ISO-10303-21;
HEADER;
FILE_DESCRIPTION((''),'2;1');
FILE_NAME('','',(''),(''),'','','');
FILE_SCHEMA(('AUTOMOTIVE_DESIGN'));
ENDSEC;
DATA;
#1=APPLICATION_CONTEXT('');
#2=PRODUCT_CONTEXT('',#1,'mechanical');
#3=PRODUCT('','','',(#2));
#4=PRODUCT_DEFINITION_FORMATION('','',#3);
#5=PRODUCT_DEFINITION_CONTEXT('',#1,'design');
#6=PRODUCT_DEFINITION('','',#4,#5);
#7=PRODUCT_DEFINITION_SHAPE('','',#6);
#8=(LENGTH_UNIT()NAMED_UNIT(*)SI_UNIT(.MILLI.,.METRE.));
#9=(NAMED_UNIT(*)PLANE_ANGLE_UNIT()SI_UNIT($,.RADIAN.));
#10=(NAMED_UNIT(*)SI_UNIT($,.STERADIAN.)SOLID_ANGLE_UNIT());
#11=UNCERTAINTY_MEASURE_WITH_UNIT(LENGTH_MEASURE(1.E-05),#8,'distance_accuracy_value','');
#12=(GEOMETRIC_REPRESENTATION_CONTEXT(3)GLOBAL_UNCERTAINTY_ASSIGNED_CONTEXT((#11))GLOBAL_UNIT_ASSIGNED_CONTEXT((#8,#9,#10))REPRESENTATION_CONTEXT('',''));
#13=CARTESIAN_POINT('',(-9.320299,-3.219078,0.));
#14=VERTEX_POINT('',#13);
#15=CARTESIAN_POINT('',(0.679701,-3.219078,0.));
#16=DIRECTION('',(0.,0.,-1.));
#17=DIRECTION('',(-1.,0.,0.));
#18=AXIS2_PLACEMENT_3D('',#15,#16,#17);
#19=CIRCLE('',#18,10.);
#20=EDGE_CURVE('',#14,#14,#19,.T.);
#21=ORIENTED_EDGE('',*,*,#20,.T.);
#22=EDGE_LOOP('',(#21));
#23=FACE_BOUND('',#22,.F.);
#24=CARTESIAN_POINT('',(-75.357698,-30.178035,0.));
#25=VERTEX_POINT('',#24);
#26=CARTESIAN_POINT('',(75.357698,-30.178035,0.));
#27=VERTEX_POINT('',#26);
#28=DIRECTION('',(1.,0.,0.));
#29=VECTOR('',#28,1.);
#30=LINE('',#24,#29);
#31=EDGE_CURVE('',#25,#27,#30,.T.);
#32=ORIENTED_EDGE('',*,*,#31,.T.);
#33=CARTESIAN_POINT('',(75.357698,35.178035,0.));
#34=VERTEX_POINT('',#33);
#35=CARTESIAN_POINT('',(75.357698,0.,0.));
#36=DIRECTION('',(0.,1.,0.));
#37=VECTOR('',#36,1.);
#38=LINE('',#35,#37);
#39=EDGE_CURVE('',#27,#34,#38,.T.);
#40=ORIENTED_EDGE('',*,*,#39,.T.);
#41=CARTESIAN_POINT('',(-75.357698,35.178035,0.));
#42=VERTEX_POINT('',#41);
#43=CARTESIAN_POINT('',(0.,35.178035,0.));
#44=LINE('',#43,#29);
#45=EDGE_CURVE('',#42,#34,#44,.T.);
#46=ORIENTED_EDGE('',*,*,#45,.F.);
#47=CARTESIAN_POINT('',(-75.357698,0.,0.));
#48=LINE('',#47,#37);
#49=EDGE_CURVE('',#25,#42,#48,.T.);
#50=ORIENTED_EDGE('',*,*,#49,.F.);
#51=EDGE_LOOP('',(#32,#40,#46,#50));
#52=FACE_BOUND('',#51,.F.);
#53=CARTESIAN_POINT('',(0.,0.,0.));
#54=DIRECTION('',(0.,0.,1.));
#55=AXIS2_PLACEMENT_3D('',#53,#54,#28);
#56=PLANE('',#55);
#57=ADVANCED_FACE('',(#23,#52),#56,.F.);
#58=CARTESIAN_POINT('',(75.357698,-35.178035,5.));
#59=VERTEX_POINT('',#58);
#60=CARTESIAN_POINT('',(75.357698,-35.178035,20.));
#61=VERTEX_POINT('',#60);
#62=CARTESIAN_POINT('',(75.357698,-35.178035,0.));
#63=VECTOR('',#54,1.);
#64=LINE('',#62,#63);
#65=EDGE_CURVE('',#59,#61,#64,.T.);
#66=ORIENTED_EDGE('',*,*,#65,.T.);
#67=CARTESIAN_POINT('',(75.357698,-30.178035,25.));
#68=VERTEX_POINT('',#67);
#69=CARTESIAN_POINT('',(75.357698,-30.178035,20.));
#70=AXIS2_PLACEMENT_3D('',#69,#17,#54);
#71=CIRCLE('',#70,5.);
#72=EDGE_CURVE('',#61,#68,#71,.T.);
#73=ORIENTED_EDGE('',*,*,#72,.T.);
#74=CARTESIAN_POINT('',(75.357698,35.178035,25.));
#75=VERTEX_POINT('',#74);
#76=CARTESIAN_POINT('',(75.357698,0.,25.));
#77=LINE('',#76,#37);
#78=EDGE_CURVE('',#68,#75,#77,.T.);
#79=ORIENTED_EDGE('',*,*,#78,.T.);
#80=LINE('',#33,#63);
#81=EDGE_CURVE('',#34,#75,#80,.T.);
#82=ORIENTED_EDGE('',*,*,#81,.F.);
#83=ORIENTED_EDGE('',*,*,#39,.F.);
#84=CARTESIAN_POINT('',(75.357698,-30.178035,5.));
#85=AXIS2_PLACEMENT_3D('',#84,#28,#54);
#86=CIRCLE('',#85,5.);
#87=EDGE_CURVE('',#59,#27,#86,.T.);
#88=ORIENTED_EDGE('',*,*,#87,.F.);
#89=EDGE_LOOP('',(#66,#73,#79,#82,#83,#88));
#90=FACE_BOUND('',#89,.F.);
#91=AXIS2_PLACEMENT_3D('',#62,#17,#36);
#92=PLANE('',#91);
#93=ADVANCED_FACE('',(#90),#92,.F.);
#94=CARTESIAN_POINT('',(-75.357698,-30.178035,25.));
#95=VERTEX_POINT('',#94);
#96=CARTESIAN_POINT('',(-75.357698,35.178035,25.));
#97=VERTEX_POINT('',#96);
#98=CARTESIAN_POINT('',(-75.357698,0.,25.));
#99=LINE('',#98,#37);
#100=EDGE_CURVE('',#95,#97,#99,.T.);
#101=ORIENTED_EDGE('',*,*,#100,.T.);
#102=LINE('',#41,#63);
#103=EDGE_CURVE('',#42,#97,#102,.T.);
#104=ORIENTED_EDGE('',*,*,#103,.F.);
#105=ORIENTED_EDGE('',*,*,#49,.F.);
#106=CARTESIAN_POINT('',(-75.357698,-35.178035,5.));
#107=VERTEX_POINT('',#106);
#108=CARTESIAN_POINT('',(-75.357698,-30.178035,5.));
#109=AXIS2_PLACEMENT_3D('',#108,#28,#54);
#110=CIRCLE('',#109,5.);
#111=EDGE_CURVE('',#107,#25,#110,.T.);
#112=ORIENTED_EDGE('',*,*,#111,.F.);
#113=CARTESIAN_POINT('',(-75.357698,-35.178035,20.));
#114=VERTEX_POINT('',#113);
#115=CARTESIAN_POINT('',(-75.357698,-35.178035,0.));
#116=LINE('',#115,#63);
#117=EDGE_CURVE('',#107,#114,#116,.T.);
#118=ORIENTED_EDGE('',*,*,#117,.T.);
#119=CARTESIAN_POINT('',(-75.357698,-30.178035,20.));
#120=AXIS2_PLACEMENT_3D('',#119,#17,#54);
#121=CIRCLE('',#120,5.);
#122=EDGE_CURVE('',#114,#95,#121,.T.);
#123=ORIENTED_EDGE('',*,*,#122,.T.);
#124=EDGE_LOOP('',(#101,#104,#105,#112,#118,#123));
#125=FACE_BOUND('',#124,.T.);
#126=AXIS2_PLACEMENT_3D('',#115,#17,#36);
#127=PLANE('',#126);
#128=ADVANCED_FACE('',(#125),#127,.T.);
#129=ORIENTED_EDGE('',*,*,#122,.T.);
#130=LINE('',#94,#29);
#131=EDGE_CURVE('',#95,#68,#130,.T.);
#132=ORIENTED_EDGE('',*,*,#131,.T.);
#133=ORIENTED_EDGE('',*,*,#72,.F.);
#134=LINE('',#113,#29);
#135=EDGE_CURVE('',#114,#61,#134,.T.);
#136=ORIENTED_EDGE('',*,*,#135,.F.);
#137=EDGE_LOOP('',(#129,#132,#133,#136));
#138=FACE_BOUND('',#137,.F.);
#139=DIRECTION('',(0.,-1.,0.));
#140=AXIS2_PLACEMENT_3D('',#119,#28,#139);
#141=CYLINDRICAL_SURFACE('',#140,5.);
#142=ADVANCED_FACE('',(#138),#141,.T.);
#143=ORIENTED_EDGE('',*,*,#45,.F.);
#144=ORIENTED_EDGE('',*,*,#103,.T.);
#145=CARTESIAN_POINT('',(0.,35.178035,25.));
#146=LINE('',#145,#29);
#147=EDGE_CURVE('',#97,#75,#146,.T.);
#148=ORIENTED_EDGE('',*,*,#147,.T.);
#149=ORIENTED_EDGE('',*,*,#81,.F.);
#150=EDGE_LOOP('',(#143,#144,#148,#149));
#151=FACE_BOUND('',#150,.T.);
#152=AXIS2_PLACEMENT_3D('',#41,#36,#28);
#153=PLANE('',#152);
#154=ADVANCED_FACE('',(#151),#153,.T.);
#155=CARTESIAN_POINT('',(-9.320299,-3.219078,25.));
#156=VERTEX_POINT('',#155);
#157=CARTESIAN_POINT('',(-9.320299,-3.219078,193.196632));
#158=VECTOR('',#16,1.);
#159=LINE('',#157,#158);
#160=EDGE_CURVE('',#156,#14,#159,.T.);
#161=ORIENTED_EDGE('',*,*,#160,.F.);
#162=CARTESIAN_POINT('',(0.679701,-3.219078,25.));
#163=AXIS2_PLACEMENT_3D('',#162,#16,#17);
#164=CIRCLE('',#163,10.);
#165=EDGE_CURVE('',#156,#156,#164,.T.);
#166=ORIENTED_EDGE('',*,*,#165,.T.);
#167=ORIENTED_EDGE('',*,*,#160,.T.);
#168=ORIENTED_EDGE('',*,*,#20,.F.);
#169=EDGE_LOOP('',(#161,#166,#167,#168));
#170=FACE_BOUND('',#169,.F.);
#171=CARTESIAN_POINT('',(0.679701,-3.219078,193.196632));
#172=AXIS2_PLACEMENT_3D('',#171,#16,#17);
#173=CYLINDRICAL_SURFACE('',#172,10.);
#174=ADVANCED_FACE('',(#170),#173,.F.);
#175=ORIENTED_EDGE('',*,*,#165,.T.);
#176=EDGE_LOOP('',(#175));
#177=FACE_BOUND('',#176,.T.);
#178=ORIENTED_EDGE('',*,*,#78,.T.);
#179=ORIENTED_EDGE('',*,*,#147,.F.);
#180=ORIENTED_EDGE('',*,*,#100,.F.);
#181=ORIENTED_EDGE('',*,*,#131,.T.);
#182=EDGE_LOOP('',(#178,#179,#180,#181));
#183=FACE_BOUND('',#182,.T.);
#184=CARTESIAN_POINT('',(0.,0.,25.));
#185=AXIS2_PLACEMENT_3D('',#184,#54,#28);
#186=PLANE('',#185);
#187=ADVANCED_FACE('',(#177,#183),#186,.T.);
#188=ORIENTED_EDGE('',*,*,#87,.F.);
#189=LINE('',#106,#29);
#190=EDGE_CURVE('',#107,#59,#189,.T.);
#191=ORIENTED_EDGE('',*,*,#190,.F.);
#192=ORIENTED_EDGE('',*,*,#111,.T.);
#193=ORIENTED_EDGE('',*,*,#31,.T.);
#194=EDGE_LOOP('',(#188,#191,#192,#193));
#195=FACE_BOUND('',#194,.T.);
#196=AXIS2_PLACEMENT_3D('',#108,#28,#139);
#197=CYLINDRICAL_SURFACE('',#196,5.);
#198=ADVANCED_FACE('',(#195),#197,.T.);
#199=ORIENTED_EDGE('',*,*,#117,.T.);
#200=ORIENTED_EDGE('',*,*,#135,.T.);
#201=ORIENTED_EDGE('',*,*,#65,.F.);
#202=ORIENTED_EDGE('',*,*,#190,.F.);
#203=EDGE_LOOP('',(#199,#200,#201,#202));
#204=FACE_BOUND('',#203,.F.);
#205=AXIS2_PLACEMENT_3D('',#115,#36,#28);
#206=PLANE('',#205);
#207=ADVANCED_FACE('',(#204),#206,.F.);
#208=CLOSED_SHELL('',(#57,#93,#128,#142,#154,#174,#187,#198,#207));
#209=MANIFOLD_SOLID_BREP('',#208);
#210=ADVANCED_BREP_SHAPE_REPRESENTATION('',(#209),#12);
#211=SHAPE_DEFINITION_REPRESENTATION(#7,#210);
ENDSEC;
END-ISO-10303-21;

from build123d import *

# Parameters (mm, degrees)
F0_W     = 150.715396
F0_H     = 70.35607
F1_DEPTH = 25
F2_R     = 5
F3_R     = 5
F5_D     = 20


with BuildPart() as f1:
    # F0 (on Top) → F1 (new body)
    with BuildSketch(Plane.XY):
        Rectangle(F0_W, F0_H)
    extrude(amount=F1_DEPTH)

    # F2
    f2_edges = [f1.edges().sort_by_distance(p)[0] for p in [
        (0, -35.178035, 25),
    ]]
    fillet(f2_edges, radius=F2_R)

    # F3
    f3_edges = [f1.edges().sort_by_distance(p)[0] for p in [
        (0, -35.178035, 0),
    ]]
    fillet(f3_edges, radius=F3_R)

    # F5 (through all)
    with Locations(Plane.XY.offset(25)):
        with Locations((0.679701, -3.219078)):
            Hole(F5_D / 2)


solid = f1.part
